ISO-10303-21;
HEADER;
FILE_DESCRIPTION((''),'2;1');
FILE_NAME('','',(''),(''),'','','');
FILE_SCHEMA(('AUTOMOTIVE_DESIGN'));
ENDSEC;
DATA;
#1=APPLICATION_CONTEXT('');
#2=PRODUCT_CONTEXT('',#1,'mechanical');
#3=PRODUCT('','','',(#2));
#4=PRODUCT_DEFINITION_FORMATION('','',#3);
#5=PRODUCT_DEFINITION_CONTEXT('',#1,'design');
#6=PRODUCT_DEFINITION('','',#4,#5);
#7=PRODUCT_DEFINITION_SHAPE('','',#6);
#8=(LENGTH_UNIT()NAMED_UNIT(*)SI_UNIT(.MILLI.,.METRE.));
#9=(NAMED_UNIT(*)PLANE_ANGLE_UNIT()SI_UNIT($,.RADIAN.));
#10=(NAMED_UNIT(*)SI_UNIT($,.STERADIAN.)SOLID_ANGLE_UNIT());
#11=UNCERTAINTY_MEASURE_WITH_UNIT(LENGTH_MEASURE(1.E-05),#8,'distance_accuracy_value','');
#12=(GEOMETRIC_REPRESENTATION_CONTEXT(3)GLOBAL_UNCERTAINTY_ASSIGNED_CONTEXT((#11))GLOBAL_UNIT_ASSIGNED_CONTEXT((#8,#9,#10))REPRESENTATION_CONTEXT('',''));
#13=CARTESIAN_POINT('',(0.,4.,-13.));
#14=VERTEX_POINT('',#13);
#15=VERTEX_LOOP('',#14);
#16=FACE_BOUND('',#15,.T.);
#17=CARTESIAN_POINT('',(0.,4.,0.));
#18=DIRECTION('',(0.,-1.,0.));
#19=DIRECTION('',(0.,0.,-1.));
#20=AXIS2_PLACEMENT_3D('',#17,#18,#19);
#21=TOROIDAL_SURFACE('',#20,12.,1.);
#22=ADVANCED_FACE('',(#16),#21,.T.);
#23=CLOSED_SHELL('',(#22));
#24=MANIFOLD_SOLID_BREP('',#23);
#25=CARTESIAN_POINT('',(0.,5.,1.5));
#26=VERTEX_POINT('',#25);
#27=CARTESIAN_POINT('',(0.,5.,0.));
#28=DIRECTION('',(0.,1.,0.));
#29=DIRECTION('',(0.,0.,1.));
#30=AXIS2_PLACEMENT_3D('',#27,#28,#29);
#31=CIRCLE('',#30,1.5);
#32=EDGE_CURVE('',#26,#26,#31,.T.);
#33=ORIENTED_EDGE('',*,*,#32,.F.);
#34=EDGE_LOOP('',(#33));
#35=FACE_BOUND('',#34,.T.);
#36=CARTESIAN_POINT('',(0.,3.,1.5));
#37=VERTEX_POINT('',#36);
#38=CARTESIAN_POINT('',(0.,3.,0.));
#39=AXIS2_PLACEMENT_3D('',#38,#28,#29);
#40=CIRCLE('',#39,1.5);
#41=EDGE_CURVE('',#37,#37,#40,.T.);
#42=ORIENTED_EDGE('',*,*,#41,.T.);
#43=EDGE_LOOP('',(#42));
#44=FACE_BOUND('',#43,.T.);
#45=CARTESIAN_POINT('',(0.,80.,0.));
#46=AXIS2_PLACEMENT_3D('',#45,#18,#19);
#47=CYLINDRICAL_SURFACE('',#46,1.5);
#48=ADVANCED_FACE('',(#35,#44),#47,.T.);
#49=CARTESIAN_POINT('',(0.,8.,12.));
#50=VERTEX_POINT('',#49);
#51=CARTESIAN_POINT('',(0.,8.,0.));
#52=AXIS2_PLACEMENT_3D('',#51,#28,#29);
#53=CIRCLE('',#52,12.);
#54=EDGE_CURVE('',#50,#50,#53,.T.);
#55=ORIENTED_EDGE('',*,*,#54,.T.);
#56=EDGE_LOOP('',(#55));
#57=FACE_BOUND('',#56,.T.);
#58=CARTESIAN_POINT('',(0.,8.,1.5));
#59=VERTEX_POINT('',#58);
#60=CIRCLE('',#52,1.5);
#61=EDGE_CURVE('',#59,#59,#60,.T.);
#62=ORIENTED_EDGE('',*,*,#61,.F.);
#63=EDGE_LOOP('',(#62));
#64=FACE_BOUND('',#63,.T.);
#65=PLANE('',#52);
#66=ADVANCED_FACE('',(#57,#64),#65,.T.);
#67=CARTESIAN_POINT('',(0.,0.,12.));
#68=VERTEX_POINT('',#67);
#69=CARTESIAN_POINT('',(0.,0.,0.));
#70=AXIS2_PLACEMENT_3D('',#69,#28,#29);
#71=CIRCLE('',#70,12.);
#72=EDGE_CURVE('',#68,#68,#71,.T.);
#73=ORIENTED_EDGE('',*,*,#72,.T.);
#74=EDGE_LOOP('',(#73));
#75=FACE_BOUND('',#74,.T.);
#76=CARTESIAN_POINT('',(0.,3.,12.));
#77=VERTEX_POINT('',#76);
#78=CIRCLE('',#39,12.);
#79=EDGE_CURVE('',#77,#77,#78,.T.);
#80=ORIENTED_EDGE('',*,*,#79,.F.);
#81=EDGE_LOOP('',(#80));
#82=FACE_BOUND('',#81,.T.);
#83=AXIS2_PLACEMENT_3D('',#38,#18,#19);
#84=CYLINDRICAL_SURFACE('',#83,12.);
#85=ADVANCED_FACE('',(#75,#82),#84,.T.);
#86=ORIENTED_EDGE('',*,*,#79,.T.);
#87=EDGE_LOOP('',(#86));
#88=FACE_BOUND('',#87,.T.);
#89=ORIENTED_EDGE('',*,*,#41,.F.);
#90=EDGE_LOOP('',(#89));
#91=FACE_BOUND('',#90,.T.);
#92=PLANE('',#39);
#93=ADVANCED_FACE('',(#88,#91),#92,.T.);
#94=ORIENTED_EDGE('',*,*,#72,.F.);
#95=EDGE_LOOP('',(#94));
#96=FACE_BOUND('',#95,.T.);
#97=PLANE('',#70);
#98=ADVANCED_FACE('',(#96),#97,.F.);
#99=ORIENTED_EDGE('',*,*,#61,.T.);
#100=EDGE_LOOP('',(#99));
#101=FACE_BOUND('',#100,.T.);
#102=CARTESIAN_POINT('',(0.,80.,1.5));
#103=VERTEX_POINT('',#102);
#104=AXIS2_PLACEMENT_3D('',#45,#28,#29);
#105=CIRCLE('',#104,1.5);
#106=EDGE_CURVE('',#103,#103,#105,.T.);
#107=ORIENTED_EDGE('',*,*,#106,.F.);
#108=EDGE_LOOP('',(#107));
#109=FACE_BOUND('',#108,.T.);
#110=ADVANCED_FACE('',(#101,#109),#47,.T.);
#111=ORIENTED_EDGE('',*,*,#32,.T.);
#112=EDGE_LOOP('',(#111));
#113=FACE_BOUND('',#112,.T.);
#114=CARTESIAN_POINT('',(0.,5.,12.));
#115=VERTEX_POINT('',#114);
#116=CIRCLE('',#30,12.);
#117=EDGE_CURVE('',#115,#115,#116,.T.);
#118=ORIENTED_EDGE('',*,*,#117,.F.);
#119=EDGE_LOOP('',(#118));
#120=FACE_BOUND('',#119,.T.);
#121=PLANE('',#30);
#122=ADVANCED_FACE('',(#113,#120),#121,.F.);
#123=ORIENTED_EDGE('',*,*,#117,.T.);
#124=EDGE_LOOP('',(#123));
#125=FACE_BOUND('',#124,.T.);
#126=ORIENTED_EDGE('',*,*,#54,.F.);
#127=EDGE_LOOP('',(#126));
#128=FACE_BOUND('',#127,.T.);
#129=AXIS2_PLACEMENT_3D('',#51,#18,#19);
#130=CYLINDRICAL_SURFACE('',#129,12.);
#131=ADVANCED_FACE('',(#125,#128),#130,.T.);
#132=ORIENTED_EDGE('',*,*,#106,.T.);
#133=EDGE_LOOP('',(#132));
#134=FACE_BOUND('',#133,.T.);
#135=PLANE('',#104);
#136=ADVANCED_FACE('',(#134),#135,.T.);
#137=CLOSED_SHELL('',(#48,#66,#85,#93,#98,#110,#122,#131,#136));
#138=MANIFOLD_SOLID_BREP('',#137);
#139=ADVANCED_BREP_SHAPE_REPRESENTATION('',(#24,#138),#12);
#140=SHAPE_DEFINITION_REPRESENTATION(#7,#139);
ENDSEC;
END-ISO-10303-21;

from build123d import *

# Parameters (mm, degrees)
SKETCH1_R           = 12
SKETCH1_R_2         = 1.5
BOSS_EXTRUDE1_DEPTH = 3
SKETCH3_R           = 1
BOSS_EXTRUDE2_START = 5
SKETCH1_2_R         = 12
SKETCH1_2_R_2       = 1.5
BOSS_EXTRUDE2_DEPTH = 3
SKETCH1_3_R         = 1.5
BOSS_EXTRUDE3_DEPTH = 80


with BuildPart() as part:
    # Sketch1 → Boss-Extrude1 (new body)
    with BuildSketch(Plane(origin=(0, 0, 0), x_dir=(1, 0, 0), z_dir=(0, 1, 0))):
        Circle(SKETCH1_R)
        Circle(SKETCH1_R_2, mode=Mode.SUBTRACT)
    extrude(amount=BOSS_EXTRUDE1_DEPTH)



with BuildPart() as body_2:
    # Sketch3 → Revolve1 (revolve)
    with BuildSketch(Plane.XY):
        with Locations((-12, 4)):
            Circle(SKETCH3_R)
    revolve(axis=Axis((0, 3, 0), (0, 1, 0)))


with BuildPart() as body_3:
    # Sketch1<2> → Boss-Extrude2 (new body)
    with BuildSketch(Plane(origin=(0, 0, 0), x_dir=(1, 0, 0), z_dir=(0, 1, 0)).offset(BOSS_EXTRUDE2_START)):
        Circle(SKETCH1_2_R)
        Circle(SKETCH1_2_R_2, mode=Mode.SUBTRACT)
    extrude(amount=BOSS_EXTRUDE2_DEPTH)


with BuildPart() as part_1:
    add(part.part)

    add(body_3.part)  # Boss-Extrude3 merges body 3
    # Sketch1<3> → Boss-Extrude3 (add)
    with BuildSketch(Plane(origin=(0, 0, 0), x_dir=(1, 0, 0), z_dir=(0, 1, 0))):
        Circle(SKETCH1_3_R)
    extrude(amount=BOSS_EXTRUDE3_DEPTH)


solid = Compound([body_2.part, part_1.part])
